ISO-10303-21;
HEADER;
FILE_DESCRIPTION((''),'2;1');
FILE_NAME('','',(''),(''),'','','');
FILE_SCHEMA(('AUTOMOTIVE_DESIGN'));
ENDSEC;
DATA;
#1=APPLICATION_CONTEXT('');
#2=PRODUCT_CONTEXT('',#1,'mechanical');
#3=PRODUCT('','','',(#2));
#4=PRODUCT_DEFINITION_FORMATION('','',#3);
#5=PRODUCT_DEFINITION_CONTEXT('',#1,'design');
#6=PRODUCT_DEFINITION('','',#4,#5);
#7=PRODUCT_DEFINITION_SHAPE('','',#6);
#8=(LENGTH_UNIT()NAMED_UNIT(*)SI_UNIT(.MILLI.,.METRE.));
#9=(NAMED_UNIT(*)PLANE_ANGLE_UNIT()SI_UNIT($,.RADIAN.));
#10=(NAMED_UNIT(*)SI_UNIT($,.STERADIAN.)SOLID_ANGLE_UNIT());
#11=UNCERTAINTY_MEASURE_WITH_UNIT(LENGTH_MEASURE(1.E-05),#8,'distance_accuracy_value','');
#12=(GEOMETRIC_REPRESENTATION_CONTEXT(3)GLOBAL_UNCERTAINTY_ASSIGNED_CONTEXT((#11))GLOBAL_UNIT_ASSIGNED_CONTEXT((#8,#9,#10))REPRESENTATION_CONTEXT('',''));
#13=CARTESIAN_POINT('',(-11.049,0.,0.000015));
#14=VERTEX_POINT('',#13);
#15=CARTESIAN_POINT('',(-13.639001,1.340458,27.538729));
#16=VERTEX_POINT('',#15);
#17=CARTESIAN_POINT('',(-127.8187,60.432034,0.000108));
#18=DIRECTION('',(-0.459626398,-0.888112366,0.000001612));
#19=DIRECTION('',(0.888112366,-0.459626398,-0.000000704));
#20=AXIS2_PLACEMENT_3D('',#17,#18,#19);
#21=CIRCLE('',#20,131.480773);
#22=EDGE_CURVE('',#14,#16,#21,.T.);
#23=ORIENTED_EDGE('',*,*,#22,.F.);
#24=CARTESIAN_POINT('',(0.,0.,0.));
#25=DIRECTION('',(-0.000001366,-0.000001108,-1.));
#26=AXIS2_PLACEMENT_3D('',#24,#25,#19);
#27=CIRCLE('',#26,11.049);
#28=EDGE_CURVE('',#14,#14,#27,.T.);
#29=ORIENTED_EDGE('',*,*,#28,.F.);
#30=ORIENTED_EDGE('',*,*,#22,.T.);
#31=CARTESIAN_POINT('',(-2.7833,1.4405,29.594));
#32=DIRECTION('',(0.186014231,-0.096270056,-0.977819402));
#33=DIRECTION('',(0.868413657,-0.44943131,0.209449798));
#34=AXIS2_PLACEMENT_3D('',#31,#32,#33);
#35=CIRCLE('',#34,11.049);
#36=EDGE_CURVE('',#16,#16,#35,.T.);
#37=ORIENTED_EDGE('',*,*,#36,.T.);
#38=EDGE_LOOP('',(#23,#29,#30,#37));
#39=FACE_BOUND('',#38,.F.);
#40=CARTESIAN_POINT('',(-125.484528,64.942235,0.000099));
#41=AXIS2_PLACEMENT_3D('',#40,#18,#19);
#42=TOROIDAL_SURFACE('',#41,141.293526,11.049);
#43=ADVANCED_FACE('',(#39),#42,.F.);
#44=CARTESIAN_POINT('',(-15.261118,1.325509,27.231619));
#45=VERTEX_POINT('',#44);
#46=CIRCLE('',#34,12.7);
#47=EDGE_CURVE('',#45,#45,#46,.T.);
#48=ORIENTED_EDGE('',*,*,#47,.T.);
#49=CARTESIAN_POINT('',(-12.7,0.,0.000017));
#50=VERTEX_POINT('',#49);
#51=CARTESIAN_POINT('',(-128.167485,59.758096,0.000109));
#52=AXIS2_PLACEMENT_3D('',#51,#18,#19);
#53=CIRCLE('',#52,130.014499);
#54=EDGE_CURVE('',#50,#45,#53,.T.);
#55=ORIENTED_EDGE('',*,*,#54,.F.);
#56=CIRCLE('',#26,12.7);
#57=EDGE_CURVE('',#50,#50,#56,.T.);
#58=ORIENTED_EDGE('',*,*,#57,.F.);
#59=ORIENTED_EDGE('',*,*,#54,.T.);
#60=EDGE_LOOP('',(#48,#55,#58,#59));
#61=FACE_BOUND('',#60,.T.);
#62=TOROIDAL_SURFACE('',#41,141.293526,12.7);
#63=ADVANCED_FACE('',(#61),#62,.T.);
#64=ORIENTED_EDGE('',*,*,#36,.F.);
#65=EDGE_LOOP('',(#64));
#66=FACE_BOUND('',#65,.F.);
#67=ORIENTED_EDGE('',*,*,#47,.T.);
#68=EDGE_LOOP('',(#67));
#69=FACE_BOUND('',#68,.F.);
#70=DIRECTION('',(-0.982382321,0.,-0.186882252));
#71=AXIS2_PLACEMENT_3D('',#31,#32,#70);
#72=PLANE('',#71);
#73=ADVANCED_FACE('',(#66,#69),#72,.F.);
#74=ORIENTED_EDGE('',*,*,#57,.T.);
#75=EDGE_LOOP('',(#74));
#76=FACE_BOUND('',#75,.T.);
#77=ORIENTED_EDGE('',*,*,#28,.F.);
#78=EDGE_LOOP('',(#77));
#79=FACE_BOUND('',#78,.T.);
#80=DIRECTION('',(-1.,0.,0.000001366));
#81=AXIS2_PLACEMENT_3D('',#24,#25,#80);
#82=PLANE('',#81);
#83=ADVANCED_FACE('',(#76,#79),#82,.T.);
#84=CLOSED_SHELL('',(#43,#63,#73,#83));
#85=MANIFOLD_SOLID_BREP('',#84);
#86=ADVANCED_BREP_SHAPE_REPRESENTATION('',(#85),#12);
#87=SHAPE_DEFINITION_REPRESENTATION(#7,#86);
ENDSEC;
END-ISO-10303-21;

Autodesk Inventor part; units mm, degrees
sketch "Sketch" plane through (0, 0, 0) normal (0, 0, -1) x (-1, 0, 0)
  circle A0 centre (0, 0) radius 12.7
  circle A1 centre (0, 0) radius 11.049
  dimension "d0" = 25.4
  dimension "d1" = 1.651
ref_plane "Start Plane" through (0, 0, 0) normal (1, 0, 0) x (0, 1, 0)
ref_plane "End Plane" through (29.8148, 0, 0) normal (1, 0, 0) x (0, 1, 0)
sketch "Sketch2" plane through (0, 0, 0) normal (1, 0, 0) x (0, 1, 0)
  line L0 (0, 0) -> (10, 0)
ref_plane "Work Plane3" through (0, 0, 0) normal (0, 0, -1) x (0, 1, 0)
sketch "Sketch3" plane through (0, 0, 0) normal (0, 0, -1) x (0, 1, 0)
  line L0 (-2, 0) -> (12, 0)
  line L1 (-18.0563, 29.8148) -> (19.4378, 29.8148)
  dimension "d9" = 29.8148
ref_plane "Orientation Work Plane" through (0, 0, 0) normal (0, 0, -1) x (-1, 0, 0)
sketch3d "Sweep Path"
  arc A0 (0, 0, 0) -> (-2.7833, 1.4405, 29.594) centre (-125.4862, 64.9431, 0) ccw
sweep "Body" add profiles "Sketch" path "Sweep Path"
equation "\"G_OFFSET_START\" = 0"
equation "\"G_OFFSET_END\" = 0"
equation "\"d5\" = d2 + G_OFFSET_END"
equation "\"G_L\" = d9"
equation "\"d2\" = 29.814793"
properties part number "4130_1x0.065" material "Steel, Alloy"
